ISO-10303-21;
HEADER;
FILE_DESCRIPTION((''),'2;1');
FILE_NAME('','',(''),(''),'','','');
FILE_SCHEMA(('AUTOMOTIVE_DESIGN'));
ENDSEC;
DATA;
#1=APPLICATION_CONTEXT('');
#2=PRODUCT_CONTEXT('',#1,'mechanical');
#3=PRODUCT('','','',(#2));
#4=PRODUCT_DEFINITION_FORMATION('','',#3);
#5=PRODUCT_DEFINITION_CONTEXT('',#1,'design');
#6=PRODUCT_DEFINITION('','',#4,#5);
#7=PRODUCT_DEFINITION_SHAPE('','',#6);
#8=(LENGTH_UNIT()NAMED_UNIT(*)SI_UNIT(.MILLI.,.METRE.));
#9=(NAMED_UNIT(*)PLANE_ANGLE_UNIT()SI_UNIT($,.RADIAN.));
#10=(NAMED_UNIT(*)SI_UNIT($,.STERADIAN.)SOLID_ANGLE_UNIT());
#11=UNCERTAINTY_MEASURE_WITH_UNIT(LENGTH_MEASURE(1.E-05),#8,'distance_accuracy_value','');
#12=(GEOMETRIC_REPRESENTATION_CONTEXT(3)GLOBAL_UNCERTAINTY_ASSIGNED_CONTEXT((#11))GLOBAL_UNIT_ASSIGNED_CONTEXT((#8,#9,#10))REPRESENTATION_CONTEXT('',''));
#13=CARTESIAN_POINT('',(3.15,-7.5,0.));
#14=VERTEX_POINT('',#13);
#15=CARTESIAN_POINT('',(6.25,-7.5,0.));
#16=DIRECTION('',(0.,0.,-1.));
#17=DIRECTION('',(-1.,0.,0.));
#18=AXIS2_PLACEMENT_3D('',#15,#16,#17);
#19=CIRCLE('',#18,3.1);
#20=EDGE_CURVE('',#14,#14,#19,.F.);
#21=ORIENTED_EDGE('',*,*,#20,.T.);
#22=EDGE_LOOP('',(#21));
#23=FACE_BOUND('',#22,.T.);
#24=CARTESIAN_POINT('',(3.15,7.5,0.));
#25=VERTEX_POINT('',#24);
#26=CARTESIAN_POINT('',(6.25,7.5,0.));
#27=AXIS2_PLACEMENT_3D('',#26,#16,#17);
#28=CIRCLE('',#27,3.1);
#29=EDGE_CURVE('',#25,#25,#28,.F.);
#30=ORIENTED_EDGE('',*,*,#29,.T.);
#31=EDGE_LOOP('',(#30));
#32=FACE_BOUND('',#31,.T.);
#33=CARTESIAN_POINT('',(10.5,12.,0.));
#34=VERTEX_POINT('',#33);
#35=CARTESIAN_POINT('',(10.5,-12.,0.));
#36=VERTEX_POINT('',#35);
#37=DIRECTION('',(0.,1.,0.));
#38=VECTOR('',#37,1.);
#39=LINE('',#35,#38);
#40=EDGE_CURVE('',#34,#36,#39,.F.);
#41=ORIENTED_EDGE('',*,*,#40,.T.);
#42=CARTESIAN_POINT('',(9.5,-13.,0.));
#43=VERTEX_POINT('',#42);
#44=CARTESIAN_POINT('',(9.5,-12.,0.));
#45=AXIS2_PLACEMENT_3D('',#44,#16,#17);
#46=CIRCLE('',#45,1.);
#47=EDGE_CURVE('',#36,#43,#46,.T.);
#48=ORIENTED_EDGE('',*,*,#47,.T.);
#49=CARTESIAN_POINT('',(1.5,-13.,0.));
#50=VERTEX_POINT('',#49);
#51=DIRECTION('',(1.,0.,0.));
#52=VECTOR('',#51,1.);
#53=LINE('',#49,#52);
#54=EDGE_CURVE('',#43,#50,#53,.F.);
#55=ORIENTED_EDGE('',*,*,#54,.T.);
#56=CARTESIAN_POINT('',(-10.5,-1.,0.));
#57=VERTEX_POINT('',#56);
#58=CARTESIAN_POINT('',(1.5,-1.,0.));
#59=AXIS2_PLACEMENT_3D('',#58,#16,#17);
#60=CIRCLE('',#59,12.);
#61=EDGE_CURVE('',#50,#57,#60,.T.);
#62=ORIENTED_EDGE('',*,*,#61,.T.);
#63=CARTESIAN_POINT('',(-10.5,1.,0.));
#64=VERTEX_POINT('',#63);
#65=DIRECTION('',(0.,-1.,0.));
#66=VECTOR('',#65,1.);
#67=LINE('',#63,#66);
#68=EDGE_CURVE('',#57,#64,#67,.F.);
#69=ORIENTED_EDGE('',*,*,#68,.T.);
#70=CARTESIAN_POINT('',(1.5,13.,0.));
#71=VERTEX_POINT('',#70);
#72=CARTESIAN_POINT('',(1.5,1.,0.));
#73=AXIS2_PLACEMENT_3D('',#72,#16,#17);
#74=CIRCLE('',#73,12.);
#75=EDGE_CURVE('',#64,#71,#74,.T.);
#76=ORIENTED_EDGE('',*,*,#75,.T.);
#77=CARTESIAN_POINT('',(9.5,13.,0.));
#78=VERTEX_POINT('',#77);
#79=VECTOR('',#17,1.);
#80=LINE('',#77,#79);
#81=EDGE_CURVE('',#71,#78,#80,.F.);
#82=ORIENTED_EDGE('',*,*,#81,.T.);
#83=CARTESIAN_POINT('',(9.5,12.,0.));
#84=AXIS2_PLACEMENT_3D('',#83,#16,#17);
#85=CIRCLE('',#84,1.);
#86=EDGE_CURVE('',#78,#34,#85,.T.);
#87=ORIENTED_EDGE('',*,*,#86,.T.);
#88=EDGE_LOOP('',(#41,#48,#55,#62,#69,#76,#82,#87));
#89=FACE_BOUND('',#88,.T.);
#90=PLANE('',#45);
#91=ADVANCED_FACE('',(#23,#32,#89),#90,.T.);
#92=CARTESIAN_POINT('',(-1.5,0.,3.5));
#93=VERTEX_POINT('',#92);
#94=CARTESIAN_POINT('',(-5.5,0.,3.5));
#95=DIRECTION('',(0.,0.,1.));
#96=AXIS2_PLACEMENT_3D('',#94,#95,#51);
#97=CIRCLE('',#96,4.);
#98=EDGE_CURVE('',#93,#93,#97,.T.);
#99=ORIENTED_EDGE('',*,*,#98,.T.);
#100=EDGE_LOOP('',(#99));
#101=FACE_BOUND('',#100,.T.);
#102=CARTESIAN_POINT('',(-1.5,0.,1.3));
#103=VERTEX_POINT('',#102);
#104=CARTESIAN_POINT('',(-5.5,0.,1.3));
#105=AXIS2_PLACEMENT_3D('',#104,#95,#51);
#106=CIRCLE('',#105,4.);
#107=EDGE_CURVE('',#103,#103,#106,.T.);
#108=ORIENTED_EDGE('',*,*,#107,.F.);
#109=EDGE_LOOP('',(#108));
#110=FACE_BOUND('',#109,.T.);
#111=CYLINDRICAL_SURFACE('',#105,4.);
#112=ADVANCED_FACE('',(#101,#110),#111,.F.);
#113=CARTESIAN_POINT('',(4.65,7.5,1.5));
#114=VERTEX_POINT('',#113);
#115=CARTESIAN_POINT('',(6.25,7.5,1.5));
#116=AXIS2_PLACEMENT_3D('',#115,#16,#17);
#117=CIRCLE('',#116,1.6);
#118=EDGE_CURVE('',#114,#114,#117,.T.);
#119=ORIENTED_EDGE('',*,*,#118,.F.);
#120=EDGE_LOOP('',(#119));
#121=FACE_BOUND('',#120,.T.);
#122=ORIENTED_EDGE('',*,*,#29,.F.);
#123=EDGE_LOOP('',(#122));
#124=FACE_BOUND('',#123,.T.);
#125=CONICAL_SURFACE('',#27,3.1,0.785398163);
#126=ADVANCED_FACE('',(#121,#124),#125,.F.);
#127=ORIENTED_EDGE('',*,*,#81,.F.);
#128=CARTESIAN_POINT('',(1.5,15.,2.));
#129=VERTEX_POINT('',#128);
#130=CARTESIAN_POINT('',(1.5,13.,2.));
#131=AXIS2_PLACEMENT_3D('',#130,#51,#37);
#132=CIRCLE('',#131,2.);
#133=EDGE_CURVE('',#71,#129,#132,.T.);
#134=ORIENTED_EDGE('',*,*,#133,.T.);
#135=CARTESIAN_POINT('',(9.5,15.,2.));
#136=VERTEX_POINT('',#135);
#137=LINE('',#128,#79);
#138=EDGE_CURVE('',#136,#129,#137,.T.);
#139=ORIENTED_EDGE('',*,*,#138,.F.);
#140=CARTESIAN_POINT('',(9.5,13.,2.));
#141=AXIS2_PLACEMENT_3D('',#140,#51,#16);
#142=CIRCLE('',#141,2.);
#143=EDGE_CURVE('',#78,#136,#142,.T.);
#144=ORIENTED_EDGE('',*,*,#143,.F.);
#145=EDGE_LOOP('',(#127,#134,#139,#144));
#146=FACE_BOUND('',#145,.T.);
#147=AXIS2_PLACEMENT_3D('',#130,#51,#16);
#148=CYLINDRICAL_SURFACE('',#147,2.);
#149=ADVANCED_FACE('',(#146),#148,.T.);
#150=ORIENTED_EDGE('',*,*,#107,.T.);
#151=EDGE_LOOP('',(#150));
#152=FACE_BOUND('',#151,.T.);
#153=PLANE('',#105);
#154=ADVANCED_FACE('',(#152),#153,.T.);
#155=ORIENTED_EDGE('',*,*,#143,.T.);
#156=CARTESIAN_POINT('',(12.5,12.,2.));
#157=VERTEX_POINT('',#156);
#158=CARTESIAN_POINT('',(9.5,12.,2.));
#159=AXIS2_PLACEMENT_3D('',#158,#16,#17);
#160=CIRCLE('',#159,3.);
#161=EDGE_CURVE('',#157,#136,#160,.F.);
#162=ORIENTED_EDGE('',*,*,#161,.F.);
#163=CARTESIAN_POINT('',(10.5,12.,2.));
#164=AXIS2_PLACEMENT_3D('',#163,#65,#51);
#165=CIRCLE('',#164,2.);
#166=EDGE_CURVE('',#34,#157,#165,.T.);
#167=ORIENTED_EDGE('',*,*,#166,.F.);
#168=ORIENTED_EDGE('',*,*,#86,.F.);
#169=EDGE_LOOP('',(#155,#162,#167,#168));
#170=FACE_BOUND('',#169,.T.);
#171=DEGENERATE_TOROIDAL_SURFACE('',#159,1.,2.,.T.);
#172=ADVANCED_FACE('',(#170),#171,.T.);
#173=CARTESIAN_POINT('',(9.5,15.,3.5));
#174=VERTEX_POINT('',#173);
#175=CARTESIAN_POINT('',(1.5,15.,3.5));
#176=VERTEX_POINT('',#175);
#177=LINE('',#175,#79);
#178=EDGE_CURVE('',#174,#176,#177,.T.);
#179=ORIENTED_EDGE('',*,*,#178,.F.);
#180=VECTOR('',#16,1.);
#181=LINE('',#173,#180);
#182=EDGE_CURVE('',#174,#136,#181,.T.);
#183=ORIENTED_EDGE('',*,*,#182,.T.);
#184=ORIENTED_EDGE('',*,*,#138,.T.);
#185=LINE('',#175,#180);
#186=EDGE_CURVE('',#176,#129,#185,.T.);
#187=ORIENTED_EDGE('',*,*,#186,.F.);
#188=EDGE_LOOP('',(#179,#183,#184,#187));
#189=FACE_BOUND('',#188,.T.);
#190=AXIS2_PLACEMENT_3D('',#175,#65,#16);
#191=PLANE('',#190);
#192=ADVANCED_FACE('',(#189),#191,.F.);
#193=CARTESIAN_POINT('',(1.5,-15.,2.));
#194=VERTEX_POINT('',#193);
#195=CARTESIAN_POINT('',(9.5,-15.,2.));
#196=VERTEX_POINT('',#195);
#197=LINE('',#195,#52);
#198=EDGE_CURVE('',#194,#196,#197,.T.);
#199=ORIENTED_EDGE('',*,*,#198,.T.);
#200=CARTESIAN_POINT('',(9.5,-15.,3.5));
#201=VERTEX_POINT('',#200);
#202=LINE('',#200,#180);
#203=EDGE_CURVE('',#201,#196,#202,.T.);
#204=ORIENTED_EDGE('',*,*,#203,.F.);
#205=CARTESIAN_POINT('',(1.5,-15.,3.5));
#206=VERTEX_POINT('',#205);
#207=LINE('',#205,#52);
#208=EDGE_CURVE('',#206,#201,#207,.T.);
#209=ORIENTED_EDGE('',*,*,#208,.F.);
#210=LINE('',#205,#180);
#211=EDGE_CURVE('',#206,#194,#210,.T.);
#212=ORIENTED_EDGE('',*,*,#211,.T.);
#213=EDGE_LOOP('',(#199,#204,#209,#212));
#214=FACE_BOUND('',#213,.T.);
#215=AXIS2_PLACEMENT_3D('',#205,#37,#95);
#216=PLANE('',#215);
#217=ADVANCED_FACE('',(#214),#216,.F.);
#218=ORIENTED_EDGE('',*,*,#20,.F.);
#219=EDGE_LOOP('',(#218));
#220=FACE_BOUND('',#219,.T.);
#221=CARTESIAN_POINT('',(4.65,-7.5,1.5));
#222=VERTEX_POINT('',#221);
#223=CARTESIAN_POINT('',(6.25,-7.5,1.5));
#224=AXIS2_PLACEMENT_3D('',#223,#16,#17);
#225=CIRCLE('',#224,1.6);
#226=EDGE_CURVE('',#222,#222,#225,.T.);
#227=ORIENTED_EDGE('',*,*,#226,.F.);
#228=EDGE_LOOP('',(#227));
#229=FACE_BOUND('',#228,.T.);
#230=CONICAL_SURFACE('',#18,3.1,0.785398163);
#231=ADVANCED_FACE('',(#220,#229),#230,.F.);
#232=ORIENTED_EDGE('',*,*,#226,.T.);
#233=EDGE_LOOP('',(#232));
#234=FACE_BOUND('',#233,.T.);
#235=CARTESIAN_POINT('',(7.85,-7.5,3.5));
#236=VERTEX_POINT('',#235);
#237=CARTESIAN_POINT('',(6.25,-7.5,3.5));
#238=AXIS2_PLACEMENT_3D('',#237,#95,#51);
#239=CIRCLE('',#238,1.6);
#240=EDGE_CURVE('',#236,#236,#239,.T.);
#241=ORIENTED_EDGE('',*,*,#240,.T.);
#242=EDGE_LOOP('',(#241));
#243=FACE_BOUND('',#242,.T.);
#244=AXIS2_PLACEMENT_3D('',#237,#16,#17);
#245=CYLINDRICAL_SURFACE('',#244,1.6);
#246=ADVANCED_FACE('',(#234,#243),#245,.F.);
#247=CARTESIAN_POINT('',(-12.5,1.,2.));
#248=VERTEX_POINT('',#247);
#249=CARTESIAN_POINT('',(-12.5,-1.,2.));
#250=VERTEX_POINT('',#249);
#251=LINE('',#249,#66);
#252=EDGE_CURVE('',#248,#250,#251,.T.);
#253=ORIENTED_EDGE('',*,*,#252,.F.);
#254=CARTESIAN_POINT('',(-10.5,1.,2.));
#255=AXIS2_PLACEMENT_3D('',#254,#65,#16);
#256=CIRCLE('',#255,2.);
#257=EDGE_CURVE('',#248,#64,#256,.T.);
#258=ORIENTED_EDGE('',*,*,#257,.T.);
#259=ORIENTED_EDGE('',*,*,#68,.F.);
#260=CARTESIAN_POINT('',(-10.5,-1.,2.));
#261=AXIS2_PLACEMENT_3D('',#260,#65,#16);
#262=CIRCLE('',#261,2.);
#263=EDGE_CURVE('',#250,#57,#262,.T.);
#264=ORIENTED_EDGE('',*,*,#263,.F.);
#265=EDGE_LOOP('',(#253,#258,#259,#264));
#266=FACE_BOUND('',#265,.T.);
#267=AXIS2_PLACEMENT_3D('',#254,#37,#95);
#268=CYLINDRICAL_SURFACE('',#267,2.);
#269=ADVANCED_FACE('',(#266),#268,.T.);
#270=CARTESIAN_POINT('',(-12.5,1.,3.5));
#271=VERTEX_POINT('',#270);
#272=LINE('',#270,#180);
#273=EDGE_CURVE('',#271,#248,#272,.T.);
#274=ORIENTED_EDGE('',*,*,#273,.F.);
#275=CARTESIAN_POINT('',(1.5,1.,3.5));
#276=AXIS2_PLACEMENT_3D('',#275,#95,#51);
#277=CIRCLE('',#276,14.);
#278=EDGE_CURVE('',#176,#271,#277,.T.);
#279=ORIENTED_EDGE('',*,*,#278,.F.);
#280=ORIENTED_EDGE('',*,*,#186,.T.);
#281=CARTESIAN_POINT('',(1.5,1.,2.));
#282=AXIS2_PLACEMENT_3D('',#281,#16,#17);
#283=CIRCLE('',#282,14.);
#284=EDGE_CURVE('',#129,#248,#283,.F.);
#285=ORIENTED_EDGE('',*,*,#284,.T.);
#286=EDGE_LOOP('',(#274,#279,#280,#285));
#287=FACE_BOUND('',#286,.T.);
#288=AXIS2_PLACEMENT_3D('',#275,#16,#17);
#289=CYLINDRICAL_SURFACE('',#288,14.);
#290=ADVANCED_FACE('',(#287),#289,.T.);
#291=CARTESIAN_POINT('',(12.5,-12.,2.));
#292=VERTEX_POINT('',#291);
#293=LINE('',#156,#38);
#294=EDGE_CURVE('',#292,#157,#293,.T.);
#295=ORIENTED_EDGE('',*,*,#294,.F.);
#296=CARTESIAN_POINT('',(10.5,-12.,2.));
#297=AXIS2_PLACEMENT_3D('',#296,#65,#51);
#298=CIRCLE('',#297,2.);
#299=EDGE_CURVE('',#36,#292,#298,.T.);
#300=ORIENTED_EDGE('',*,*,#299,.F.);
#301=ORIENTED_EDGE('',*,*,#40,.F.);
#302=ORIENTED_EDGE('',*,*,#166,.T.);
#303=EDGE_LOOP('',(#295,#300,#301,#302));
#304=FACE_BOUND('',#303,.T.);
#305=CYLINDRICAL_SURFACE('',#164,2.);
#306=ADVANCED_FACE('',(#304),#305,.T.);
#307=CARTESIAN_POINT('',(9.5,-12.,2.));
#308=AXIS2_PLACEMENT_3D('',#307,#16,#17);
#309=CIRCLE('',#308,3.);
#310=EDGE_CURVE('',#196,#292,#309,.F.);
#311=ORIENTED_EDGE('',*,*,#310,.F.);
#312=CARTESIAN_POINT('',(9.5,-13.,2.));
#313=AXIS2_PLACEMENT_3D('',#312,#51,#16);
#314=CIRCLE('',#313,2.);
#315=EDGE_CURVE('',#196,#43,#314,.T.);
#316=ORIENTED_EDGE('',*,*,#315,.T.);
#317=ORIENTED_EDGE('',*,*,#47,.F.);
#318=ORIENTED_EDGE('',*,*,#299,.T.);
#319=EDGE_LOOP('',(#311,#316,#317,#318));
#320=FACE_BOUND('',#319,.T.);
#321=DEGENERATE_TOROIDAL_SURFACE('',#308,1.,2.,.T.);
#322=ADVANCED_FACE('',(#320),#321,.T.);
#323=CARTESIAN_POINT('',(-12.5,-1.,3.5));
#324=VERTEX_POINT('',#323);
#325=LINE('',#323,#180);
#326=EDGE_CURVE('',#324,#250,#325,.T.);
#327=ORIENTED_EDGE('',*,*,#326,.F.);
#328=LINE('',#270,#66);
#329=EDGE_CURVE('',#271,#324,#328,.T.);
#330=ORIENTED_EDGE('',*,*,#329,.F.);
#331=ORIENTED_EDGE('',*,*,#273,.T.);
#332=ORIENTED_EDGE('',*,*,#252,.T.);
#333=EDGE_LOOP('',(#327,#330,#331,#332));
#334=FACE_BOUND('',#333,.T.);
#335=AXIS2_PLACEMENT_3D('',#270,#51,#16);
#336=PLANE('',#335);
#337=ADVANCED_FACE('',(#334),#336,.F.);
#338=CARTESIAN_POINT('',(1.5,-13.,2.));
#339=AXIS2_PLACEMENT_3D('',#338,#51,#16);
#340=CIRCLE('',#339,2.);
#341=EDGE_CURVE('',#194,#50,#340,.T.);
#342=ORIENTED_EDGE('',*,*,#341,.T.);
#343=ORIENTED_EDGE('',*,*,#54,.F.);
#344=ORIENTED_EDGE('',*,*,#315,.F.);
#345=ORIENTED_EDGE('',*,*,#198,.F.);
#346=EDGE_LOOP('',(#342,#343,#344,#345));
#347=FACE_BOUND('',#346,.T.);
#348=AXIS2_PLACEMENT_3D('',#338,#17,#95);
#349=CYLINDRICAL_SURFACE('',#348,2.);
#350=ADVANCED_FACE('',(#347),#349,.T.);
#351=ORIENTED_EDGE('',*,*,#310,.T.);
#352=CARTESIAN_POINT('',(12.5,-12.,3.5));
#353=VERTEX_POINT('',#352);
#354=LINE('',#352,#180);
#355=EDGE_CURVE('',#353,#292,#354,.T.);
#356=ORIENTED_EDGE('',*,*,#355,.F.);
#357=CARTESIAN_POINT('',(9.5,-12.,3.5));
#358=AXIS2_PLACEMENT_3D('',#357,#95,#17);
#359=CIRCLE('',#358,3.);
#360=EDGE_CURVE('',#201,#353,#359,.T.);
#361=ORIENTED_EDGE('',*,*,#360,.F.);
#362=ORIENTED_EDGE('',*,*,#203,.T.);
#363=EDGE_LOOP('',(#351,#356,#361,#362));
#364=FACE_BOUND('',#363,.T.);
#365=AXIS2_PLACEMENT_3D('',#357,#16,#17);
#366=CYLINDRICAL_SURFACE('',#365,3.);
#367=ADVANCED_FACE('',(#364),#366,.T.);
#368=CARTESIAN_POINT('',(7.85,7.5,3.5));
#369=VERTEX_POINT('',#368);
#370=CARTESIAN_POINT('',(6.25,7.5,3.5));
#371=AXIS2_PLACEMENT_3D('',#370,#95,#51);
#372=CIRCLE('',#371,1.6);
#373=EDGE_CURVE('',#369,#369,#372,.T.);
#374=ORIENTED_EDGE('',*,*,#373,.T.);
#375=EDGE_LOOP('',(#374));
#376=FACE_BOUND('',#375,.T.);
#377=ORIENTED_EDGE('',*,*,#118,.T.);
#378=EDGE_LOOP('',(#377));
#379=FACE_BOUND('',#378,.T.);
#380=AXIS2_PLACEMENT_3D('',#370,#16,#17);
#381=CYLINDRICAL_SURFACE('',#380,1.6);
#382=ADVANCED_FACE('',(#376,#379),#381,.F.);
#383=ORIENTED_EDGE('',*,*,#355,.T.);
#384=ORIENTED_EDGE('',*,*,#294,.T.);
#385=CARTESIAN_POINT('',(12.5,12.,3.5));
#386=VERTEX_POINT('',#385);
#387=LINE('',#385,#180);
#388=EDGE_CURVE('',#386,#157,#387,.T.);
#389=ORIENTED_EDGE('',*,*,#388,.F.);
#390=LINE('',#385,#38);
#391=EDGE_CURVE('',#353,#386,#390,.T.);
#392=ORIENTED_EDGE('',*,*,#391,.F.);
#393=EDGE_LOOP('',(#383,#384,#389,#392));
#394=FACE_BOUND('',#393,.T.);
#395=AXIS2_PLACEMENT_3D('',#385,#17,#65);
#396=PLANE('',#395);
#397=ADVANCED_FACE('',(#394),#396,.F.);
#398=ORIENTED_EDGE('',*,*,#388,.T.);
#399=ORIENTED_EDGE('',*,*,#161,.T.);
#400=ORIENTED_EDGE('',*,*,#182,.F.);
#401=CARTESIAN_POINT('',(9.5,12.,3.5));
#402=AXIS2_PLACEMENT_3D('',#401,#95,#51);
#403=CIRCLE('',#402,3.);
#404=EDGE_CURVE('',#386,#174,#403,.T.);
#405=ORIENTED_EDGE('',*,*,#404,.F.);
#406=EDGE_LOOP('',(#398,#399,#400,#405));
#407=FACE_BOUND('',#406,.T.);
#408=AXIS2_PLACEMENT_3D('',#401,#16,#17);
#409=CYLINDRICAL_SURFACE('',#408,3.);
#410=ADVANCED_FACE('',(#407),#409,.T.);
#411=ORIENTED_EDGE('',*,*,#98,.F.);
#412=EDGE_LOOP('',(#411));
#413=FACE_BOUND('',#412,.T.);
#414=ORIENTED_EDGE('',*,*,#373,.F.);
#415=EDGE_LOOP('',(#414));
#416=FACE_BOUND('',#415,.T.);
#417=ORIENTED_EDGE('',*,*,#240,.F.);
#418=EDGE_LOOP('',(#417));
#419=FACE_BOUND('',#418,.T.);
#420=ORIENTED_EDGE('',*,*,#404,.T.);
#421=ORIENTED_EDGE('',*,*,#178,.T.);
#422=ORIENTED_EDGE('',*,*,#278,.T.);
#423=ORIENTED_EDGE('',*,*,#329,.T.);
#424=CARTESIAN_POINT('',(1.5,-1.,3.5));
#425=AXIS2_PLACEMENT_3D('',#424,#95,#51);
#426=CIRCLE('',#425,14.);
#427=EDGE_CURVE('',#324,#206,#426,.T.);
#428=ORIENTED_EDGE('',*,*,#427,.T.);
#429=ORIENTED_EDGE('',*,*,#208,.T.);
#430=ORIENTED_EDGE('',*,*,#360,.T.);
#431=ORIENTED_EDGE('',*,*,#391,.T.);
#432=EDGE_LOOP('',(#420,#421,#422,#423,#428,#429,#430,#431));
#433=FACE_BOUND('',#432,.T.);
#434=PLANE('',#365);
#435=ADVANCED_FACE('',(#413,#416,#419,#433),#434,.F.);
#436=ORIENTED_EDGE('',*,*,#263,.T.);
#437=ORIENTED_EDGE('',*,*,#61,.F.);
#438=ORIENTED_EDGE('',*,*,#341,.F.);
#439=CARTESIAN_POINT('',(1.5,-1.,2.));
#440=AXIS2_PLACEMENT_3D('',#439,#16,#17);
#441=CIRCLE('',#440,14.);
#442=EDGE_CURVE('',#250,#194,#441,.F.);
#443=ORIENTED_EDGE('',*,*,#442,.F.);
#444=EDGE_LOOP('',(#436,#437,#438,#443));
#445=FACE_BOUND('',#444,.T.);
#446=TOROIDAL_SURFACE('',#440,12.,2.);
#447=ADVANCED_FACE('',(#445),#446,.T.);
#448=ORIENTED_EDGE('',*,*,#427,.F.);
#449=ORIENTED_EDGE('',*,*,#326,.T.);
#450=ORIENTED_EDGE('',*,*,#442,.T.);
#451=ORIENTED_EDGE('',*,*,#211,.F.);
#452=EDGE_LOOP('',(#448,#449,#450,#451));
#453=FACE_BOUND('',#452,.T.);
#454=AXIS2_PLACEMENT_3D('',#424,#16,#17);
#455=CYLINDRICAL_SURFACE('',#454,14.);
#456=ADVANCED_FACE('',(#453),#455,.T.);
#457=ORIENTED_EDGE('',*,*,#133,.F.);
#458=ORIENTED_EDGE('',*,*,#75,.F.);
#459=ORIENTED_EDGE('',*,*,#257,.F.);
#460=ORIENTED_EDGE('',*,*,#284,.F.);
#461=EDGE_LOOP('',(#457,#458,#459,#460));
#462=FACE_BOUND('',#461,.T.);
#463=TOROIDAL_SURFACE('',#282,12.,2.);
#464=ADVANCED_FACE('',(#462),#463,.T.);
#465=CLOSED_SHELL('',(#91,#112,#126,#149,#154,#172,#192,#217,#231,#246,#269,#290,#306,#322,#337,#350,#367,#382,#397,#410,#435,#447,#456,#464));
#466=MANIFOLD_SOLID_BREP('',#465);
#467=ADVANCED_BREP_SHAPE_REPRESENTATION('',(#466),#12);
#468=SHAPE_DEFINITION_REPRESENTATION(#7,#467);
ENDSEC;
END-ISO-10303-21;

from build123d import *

# Parameters (mm, degrees)
SKETCH_1_R          = 1.6
EXTRUDE_1_DEPTH     = 3.5
SKETCH_2_R          = 4
CUT_EXTRUDE_1_DEPTH = 2.2
FILLET_1_R          = 2
CHAMFER_1_SIZE      = 1.5


with BuildPart() as part:
    # Эскиз1 → Бобышка-Вытянуть1 (new body)
    with BuildSketch(Plane.XY):
        with BuildLine():
            Line((1.5, 15), (9.5, 15))
            ThreePointArc((9.5, 15), (11.621320344, 14.121320344), (12.5, 12))
            Line((12.5, 12), (12.5, -12))
            ThreePointArc((12.5, -12), (11.621320344, -14.121320344), (9.5, -15))
            Line((9.5, -15), (1.5, -15))
            ThreePointArc((1.5, -15), (-8.399494937, -10.899494937), (-12.5, -1))
            Line((-12.5, -1), (-12.5, 1))
            ThreePointArc((-12.5, 1), (-8.399494937, 10.899494937), (1.5, 15))
        make_face()
        with Locations((6.25, 7.5)):
            Circle(SKETCH_1_R, mode=Mode.SUBTRACT)
        with Locations((6.25, -7.5)):
            Circle(SKETCH_1_R, mode=Mode.SUBTRACT)
    extrude(amount=EXTRUDE_1_DEPTH)

    # Эскиз2 → Вырез-Вытянуть1 (cut)
    with BuildSketch(Plane.XY.offset(3.5)):
        with Locations((-5.5, 0)):
            Circle(SKETCH_2_R)
    extrude(amount=-CUT_EXTRUDE_1_DEPTH, mode=Mode.SUBTRACT)

    # Скругление1
    fillet_1_edges = [part.edges().sort_by_distance(p)[0] for p in [
        (12.5, 0, 0),
        (11.621320344, -14.121320344, 0),
        (5.5, -15, 0),
        (-8.399494937, -10.899494937, 0),
        (-12.5, 0, 0),
        (-8.399494937, 10.899494937, 0),
        (5.5, 15, 0),
        (11.621320344, 14.121320344, 0),
    ]]
    fillet(fillet_1_edges, radius=FILLET_1_R)

    # Фаска1
    chamfer_1_edges = [part.edges().sort_by_distance(p)[0] for p in [
        (4.65, 7.5, 0),
        (4.65, -7.5, 0),
    ]]
    chamfer(chamfer_1_edges, length=CHAMFER_1_SIZE)


solid = part.part
